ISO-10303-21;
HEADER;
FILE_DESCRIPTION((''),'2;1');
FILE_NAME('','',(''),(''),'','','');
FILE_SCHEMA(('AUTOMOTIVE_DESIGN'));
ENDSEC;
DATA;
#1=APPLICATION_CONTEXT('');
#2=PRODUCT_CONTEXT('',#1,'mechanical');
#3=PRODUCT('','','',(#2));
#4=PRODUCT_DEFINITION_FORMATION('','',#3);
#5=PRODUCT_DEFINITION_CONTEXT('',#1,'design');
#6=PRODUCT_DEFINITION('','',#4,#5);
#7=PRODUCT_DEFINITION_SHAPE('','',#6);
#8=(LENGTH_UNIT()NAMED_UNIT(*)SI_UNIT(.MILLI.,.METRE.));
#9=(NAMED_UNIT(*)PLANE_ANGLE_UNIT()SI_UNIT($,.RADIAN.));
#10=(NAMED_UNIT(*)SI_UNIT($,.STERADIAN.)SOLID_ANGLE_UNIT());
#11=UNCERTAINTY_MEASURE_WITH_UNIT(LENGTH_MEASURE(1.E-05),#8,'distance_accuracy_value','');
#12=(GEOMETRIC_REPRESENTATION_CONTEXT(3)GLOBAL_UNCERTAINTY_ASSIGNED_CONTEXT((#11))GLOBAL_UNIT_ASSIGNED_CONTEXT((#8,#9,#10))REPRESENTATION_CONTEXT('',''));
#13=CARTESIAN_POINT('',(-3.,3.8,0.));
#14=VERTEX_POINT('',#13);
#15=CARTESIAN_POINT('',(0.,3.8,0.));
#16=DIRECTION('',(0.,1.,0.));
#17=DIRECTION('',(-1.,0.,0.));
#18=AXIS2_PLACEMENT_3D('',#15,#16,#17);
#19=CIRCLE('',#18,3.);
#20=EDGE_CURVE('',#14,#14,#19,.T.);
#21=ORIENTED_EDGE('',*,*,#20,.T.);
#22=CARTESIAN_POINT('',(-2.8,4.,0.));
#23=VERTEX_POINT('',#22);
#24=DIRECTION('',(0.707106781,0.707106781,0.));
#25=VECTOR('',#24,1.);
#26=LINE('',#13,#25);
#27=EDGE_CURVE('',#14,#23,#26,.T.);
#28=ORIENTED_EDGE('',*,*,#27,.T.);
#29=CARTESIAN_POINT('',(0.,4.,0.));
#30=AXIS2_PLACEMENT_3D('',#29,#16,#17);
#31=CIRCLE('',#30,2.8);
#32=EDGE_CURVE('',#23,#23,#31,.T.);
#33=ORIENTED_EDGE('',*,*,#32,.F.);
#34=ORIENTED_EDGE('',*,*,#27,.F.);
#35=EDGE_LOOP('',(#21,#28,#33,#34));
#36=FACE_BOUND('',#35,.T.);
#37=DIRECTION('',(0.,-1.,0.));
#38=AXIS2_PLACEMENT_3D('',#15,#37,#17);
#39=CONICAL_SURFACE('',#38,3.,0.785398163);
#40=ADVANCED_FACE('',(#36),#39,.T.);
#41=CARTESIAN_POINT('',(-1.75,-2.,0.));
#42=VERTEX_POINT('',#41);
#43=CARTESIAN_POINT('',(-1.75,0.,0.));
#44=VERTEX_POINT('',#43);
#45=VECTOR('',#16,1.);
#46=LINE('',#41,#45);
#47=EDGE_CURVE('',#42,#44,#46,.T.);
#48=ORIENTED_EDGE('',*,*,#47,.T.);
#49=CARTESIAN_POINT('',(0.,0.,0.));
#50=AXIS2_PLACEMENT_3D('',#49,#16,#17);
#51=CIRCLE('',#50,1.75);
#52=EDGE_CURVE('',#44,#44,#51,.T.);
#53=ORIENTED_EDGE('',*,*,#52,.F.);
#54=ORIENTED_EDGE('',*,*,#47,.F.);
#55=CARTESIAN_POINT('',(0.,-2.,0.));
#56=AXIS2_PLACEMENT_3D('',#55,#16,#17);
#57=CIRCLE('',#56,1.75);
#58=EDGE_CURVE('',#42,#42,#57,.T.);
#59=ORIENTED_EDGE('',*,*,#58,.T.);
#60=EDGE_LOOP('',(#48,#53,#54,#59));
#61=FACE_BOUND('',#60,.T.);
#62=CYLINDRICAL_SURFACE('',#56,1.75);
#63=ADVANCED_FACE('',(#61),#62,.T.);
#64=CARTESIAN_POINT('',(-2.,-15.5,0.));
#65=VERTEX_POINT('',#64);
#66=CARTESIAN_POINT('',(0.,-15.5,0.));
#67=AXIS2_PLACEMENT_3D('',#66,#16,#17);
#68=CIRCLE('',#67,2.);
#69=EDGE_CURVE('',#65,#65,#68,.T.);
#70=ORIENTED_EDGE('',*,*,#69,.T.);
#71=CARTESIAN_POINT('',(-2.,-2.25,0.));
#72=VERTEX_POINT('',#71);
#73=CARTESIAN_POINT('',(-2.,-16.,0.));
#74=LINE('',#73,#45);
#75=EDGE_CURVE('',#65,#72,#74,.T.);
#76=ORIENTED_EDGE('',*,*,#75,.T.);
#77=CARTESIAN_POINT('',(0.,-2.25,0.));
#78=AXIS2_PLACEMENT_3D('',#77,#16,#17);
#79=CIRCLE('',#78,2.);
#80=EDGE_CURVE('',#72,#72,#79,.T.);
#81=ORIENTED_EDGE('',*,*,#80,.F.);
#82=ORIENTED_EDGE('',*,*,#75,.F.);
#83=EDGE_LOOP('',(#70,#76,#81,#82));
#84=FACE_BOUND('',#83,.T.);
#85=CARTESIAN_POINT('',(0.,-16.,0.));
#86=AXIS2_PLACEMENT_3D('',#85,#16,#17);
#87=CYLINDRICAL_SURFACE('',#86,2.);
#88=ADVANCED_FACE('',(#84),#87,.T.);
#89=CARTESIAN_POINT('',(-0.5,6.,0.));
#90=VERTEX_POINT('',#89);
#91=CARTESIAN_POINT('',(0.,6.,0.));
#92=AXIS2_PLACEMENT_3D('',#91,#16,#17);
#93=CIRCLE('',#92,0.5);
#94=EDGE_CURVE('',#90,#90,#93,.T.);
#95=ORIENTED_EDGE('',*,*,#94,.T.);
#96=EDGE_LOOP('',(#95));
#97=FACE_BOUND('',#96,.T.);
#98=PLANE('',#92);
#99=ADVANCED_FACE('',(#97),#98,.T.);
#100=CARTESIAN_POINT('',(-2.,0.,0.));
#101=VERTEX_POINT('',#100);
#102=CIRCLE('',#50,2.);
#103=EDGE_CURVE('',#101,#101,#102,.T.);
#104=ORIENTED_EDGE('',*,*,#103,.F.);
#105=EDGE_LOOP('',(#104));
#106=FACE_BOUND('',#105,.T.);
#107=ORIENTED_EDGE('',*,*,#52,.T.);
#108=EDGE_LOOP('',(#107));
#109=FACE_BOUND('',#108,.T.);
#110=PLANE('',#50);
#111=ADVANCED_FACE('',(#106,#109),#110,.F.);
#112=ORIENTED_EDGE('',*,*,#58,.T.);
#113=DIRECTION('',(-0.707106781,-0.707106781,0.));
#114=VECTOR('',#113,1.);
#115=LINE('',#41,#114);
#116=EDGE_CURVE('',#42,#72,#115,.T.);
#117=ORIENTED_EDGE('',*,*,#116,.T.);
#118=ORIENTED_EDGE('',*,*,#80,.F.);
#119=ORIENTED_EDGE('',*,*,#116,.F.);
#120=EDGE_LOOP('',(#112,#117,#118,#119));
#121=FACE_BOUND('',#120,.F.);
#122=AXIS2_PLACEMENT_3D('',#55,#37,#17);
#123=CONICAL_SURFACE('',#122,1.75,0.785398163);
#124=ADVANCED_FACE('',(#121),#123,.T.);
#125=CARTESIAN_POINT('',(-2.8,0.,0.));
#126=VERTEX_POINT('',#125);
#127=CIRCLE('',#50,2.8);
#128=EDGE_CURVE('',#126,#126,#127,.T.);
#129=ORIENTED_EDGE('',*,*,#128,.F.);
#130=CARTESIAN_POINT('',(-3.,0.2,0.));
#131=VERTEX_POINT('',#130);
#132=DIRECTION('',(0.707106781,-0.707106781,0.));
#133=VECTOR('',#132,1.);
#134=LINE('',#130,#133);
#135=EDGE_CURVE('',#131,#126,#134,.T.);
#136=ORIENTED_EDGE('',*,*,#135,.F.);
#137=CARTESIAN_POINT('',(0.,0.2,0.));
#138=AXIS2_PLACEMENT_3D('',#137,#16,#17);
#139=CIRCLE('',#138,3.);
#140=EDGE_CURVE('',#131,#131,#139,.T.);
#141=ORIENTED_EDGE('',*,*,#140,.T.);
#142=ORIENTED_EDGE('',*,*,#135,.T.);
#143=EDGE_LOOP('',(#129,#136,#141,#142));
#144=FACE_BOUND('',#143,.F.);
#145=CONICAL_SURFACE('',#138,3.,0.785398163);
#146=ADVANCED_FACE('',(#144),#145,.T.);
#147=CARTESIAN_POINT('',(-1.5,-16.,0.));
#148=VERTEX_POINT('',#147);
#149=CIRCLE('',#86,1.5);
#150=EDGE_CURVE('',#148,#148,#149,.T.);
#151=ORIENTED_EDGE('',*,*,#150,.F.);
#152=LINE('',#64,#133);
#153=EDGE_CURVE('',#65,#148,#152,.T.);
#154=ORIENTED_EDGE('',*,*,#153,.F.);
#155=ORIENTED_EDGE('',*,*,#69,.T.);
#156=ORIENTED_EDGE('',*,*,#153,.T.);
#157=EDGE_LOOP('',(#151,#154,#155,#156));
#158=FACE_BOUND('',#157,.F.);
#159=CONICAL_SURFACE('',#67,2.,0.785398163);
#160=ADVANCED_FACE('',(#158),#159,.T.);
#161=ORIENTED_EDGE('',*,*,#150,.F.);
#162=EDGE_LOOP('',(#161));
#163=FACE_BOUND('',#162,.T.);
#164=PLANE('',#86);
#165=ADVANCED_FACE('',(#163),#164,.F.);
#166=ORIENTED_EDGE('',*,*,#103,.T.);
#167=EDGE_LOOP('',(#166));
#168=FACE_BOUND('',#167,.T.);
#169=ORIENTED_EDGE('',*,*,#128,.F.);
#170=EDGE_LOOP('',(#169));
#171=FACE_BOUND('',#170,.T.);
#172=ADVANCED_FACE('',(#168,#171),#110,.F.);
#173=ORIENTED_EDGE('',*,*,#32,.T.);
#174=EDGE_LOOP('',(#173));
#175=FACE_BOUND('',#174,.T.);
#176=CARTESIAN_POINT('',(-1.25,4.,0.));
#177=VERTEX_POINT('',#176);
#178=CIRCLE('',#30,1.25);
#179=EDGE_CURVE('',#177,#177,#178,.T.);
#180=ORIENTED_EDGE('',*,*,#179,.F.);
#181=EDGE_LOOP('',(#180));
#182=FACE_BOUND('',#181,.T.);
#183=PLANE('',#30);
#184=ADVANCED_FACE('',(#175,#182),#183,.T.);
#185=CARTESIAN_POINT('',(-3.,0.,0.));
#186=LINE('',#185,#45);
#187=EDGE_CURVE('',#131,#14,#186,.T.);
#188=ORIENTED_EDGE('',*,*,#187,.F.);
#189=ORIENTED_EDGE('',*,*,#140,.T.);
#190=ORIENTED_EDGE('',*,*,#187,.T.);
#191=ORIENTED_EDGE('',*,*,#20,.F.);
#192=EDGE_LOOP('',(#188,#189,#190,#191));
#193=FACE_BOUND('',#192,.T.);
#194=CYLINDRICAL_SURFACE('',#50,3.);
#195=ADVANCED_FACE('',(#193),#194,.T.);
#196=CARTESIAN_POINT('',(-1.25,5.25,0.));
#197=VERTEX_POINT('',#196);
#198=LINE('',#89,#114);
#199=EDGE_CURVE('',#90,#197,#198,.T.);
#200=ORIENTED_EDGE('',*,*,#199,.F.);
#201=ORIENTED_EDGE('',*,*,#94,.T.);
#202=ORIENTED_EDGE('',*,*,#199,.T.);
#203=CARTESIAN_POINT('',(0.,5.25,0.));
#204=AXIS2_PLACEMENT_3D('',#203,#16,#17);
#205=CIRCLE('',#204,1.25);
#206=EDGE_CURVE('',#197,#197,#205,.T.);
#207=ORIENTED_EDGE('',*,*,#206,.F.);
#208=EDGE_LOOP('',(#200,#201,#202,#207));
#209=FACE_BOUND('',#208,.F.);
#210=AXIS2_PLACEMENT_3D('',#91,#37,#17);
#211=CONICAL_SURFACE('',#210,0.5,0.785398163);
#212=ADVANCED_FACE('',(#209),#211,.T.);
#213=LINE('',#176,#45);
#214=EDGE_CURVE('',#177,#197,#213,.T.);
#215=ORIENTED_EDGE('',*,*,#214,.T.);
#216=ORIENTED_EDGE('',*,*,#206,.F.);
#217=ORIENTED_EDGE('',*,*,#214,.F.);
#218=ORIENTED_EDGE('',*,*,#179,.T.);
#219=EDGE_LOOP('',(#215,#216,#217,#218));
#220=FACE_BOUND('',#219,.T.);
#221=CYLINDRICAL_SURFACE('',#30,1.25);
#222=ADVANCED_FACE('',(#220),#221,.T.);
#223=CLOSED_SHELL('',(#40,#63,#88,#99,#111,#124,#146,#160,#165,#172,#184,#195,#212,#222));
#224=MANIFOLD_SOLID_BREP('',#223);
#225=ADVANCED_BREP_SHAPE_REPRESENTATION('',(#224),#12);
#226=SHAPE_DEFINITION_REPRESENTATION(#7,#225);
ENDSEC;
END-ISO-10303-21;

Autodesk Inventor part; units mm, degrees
ref_plane "YZ Plane" through (0, 0, 0) normal (1, 0, 0) x (0, 1, 0)
ref_plane "XZ Plane" through (0, 0, 0) normal (0, 1, 0) x (-1, 0, 0)
ref_plane "XY Plane" through (0, 0, 0) normal (0, 0, 1) x (1, 0, 0)
sketch "Esboço1" plane through (0, 0, 0) normal (0, 0, 1) x (1, 0, 0)
  line L0 (0, -20.4) -> (0, 10.4) construction
  line L1 (-3.6, 0) -> (0.6, 0) construction
  line L2 (0, -16) -> (-2, -16)
  line L3 (-2, -16) -> (-2, 0)
  line L4 (-2, 0) -> (-3, 0)
  line L5 (-3, 0) -> (-3, 4)
  line L6 (-3, 4) -> (-1.25, 4)
  line L7 (-1.25, 4) -> (-1.25, 6)
  line L8 (-1.25, 6) -> (0, 6)
  line L9 (0, 6) -> (0, -16)
  line L10 (-0.5, 6) -> (-1.25, 5.25)
  line L11 (-2, -15.5) -> (-1.5, -16)
  line L12 (-3, 3.8) -> (-2.8, 4)
  line L13 (-3, 2) -> (0, 2) construction
  line L14 (-3, 0.2) -> (-2.8, 0)
  line L15 (-2, -2) -> (-1.75, -2)
  line L16 (-1.75, -2) -> (-1.75, 0)
  line L17 (-1.75, 0) -> (-2, 0)
  line L18 (-2, 0) -> (-2, -2)
  line L19 (-1.75, -2) -> (-2, -2.25)
  point P0 (0, 0)
  dimension "d0" = 2
  dimension "d1" = 6
  dimension "d2" = 2.5
  dimension "d3" = 0.75
  dimension "d4" = 0.75
  dimension "d5" = 4
  dimension "d6" = 16
  dimension "d7" = 22
  dimension "d8" = 4
  dimension "d9" = 0.5
  dimension "d10" = 0.5
  dimension "d12" = 0.2
  dimension "d13" = 0.2
  dimension "d16" = 3.5
  dimension "d17" = 2
  dimension "d18" = 0.25
  dimension "d19" = 0.25
revolve "Revolução1" add sketch "Esboço1" angle 360 about axis through (0, -10, 0) along (0, 1, 0) contours L2 L11 L3 L19 L16 L17 L4 L14 L5 L12 L6 L7 L10 L8 L9
thread "Rosca1" size "M4x0.7" class "6g" standard "ISO Metric profile" full length
equation "\"d4\" = d3"
equation "\"d10\" = d9"
equation "\"d18\" = d19"
properties part number "GRJ-03-119" material "Aço SAE 1045"
